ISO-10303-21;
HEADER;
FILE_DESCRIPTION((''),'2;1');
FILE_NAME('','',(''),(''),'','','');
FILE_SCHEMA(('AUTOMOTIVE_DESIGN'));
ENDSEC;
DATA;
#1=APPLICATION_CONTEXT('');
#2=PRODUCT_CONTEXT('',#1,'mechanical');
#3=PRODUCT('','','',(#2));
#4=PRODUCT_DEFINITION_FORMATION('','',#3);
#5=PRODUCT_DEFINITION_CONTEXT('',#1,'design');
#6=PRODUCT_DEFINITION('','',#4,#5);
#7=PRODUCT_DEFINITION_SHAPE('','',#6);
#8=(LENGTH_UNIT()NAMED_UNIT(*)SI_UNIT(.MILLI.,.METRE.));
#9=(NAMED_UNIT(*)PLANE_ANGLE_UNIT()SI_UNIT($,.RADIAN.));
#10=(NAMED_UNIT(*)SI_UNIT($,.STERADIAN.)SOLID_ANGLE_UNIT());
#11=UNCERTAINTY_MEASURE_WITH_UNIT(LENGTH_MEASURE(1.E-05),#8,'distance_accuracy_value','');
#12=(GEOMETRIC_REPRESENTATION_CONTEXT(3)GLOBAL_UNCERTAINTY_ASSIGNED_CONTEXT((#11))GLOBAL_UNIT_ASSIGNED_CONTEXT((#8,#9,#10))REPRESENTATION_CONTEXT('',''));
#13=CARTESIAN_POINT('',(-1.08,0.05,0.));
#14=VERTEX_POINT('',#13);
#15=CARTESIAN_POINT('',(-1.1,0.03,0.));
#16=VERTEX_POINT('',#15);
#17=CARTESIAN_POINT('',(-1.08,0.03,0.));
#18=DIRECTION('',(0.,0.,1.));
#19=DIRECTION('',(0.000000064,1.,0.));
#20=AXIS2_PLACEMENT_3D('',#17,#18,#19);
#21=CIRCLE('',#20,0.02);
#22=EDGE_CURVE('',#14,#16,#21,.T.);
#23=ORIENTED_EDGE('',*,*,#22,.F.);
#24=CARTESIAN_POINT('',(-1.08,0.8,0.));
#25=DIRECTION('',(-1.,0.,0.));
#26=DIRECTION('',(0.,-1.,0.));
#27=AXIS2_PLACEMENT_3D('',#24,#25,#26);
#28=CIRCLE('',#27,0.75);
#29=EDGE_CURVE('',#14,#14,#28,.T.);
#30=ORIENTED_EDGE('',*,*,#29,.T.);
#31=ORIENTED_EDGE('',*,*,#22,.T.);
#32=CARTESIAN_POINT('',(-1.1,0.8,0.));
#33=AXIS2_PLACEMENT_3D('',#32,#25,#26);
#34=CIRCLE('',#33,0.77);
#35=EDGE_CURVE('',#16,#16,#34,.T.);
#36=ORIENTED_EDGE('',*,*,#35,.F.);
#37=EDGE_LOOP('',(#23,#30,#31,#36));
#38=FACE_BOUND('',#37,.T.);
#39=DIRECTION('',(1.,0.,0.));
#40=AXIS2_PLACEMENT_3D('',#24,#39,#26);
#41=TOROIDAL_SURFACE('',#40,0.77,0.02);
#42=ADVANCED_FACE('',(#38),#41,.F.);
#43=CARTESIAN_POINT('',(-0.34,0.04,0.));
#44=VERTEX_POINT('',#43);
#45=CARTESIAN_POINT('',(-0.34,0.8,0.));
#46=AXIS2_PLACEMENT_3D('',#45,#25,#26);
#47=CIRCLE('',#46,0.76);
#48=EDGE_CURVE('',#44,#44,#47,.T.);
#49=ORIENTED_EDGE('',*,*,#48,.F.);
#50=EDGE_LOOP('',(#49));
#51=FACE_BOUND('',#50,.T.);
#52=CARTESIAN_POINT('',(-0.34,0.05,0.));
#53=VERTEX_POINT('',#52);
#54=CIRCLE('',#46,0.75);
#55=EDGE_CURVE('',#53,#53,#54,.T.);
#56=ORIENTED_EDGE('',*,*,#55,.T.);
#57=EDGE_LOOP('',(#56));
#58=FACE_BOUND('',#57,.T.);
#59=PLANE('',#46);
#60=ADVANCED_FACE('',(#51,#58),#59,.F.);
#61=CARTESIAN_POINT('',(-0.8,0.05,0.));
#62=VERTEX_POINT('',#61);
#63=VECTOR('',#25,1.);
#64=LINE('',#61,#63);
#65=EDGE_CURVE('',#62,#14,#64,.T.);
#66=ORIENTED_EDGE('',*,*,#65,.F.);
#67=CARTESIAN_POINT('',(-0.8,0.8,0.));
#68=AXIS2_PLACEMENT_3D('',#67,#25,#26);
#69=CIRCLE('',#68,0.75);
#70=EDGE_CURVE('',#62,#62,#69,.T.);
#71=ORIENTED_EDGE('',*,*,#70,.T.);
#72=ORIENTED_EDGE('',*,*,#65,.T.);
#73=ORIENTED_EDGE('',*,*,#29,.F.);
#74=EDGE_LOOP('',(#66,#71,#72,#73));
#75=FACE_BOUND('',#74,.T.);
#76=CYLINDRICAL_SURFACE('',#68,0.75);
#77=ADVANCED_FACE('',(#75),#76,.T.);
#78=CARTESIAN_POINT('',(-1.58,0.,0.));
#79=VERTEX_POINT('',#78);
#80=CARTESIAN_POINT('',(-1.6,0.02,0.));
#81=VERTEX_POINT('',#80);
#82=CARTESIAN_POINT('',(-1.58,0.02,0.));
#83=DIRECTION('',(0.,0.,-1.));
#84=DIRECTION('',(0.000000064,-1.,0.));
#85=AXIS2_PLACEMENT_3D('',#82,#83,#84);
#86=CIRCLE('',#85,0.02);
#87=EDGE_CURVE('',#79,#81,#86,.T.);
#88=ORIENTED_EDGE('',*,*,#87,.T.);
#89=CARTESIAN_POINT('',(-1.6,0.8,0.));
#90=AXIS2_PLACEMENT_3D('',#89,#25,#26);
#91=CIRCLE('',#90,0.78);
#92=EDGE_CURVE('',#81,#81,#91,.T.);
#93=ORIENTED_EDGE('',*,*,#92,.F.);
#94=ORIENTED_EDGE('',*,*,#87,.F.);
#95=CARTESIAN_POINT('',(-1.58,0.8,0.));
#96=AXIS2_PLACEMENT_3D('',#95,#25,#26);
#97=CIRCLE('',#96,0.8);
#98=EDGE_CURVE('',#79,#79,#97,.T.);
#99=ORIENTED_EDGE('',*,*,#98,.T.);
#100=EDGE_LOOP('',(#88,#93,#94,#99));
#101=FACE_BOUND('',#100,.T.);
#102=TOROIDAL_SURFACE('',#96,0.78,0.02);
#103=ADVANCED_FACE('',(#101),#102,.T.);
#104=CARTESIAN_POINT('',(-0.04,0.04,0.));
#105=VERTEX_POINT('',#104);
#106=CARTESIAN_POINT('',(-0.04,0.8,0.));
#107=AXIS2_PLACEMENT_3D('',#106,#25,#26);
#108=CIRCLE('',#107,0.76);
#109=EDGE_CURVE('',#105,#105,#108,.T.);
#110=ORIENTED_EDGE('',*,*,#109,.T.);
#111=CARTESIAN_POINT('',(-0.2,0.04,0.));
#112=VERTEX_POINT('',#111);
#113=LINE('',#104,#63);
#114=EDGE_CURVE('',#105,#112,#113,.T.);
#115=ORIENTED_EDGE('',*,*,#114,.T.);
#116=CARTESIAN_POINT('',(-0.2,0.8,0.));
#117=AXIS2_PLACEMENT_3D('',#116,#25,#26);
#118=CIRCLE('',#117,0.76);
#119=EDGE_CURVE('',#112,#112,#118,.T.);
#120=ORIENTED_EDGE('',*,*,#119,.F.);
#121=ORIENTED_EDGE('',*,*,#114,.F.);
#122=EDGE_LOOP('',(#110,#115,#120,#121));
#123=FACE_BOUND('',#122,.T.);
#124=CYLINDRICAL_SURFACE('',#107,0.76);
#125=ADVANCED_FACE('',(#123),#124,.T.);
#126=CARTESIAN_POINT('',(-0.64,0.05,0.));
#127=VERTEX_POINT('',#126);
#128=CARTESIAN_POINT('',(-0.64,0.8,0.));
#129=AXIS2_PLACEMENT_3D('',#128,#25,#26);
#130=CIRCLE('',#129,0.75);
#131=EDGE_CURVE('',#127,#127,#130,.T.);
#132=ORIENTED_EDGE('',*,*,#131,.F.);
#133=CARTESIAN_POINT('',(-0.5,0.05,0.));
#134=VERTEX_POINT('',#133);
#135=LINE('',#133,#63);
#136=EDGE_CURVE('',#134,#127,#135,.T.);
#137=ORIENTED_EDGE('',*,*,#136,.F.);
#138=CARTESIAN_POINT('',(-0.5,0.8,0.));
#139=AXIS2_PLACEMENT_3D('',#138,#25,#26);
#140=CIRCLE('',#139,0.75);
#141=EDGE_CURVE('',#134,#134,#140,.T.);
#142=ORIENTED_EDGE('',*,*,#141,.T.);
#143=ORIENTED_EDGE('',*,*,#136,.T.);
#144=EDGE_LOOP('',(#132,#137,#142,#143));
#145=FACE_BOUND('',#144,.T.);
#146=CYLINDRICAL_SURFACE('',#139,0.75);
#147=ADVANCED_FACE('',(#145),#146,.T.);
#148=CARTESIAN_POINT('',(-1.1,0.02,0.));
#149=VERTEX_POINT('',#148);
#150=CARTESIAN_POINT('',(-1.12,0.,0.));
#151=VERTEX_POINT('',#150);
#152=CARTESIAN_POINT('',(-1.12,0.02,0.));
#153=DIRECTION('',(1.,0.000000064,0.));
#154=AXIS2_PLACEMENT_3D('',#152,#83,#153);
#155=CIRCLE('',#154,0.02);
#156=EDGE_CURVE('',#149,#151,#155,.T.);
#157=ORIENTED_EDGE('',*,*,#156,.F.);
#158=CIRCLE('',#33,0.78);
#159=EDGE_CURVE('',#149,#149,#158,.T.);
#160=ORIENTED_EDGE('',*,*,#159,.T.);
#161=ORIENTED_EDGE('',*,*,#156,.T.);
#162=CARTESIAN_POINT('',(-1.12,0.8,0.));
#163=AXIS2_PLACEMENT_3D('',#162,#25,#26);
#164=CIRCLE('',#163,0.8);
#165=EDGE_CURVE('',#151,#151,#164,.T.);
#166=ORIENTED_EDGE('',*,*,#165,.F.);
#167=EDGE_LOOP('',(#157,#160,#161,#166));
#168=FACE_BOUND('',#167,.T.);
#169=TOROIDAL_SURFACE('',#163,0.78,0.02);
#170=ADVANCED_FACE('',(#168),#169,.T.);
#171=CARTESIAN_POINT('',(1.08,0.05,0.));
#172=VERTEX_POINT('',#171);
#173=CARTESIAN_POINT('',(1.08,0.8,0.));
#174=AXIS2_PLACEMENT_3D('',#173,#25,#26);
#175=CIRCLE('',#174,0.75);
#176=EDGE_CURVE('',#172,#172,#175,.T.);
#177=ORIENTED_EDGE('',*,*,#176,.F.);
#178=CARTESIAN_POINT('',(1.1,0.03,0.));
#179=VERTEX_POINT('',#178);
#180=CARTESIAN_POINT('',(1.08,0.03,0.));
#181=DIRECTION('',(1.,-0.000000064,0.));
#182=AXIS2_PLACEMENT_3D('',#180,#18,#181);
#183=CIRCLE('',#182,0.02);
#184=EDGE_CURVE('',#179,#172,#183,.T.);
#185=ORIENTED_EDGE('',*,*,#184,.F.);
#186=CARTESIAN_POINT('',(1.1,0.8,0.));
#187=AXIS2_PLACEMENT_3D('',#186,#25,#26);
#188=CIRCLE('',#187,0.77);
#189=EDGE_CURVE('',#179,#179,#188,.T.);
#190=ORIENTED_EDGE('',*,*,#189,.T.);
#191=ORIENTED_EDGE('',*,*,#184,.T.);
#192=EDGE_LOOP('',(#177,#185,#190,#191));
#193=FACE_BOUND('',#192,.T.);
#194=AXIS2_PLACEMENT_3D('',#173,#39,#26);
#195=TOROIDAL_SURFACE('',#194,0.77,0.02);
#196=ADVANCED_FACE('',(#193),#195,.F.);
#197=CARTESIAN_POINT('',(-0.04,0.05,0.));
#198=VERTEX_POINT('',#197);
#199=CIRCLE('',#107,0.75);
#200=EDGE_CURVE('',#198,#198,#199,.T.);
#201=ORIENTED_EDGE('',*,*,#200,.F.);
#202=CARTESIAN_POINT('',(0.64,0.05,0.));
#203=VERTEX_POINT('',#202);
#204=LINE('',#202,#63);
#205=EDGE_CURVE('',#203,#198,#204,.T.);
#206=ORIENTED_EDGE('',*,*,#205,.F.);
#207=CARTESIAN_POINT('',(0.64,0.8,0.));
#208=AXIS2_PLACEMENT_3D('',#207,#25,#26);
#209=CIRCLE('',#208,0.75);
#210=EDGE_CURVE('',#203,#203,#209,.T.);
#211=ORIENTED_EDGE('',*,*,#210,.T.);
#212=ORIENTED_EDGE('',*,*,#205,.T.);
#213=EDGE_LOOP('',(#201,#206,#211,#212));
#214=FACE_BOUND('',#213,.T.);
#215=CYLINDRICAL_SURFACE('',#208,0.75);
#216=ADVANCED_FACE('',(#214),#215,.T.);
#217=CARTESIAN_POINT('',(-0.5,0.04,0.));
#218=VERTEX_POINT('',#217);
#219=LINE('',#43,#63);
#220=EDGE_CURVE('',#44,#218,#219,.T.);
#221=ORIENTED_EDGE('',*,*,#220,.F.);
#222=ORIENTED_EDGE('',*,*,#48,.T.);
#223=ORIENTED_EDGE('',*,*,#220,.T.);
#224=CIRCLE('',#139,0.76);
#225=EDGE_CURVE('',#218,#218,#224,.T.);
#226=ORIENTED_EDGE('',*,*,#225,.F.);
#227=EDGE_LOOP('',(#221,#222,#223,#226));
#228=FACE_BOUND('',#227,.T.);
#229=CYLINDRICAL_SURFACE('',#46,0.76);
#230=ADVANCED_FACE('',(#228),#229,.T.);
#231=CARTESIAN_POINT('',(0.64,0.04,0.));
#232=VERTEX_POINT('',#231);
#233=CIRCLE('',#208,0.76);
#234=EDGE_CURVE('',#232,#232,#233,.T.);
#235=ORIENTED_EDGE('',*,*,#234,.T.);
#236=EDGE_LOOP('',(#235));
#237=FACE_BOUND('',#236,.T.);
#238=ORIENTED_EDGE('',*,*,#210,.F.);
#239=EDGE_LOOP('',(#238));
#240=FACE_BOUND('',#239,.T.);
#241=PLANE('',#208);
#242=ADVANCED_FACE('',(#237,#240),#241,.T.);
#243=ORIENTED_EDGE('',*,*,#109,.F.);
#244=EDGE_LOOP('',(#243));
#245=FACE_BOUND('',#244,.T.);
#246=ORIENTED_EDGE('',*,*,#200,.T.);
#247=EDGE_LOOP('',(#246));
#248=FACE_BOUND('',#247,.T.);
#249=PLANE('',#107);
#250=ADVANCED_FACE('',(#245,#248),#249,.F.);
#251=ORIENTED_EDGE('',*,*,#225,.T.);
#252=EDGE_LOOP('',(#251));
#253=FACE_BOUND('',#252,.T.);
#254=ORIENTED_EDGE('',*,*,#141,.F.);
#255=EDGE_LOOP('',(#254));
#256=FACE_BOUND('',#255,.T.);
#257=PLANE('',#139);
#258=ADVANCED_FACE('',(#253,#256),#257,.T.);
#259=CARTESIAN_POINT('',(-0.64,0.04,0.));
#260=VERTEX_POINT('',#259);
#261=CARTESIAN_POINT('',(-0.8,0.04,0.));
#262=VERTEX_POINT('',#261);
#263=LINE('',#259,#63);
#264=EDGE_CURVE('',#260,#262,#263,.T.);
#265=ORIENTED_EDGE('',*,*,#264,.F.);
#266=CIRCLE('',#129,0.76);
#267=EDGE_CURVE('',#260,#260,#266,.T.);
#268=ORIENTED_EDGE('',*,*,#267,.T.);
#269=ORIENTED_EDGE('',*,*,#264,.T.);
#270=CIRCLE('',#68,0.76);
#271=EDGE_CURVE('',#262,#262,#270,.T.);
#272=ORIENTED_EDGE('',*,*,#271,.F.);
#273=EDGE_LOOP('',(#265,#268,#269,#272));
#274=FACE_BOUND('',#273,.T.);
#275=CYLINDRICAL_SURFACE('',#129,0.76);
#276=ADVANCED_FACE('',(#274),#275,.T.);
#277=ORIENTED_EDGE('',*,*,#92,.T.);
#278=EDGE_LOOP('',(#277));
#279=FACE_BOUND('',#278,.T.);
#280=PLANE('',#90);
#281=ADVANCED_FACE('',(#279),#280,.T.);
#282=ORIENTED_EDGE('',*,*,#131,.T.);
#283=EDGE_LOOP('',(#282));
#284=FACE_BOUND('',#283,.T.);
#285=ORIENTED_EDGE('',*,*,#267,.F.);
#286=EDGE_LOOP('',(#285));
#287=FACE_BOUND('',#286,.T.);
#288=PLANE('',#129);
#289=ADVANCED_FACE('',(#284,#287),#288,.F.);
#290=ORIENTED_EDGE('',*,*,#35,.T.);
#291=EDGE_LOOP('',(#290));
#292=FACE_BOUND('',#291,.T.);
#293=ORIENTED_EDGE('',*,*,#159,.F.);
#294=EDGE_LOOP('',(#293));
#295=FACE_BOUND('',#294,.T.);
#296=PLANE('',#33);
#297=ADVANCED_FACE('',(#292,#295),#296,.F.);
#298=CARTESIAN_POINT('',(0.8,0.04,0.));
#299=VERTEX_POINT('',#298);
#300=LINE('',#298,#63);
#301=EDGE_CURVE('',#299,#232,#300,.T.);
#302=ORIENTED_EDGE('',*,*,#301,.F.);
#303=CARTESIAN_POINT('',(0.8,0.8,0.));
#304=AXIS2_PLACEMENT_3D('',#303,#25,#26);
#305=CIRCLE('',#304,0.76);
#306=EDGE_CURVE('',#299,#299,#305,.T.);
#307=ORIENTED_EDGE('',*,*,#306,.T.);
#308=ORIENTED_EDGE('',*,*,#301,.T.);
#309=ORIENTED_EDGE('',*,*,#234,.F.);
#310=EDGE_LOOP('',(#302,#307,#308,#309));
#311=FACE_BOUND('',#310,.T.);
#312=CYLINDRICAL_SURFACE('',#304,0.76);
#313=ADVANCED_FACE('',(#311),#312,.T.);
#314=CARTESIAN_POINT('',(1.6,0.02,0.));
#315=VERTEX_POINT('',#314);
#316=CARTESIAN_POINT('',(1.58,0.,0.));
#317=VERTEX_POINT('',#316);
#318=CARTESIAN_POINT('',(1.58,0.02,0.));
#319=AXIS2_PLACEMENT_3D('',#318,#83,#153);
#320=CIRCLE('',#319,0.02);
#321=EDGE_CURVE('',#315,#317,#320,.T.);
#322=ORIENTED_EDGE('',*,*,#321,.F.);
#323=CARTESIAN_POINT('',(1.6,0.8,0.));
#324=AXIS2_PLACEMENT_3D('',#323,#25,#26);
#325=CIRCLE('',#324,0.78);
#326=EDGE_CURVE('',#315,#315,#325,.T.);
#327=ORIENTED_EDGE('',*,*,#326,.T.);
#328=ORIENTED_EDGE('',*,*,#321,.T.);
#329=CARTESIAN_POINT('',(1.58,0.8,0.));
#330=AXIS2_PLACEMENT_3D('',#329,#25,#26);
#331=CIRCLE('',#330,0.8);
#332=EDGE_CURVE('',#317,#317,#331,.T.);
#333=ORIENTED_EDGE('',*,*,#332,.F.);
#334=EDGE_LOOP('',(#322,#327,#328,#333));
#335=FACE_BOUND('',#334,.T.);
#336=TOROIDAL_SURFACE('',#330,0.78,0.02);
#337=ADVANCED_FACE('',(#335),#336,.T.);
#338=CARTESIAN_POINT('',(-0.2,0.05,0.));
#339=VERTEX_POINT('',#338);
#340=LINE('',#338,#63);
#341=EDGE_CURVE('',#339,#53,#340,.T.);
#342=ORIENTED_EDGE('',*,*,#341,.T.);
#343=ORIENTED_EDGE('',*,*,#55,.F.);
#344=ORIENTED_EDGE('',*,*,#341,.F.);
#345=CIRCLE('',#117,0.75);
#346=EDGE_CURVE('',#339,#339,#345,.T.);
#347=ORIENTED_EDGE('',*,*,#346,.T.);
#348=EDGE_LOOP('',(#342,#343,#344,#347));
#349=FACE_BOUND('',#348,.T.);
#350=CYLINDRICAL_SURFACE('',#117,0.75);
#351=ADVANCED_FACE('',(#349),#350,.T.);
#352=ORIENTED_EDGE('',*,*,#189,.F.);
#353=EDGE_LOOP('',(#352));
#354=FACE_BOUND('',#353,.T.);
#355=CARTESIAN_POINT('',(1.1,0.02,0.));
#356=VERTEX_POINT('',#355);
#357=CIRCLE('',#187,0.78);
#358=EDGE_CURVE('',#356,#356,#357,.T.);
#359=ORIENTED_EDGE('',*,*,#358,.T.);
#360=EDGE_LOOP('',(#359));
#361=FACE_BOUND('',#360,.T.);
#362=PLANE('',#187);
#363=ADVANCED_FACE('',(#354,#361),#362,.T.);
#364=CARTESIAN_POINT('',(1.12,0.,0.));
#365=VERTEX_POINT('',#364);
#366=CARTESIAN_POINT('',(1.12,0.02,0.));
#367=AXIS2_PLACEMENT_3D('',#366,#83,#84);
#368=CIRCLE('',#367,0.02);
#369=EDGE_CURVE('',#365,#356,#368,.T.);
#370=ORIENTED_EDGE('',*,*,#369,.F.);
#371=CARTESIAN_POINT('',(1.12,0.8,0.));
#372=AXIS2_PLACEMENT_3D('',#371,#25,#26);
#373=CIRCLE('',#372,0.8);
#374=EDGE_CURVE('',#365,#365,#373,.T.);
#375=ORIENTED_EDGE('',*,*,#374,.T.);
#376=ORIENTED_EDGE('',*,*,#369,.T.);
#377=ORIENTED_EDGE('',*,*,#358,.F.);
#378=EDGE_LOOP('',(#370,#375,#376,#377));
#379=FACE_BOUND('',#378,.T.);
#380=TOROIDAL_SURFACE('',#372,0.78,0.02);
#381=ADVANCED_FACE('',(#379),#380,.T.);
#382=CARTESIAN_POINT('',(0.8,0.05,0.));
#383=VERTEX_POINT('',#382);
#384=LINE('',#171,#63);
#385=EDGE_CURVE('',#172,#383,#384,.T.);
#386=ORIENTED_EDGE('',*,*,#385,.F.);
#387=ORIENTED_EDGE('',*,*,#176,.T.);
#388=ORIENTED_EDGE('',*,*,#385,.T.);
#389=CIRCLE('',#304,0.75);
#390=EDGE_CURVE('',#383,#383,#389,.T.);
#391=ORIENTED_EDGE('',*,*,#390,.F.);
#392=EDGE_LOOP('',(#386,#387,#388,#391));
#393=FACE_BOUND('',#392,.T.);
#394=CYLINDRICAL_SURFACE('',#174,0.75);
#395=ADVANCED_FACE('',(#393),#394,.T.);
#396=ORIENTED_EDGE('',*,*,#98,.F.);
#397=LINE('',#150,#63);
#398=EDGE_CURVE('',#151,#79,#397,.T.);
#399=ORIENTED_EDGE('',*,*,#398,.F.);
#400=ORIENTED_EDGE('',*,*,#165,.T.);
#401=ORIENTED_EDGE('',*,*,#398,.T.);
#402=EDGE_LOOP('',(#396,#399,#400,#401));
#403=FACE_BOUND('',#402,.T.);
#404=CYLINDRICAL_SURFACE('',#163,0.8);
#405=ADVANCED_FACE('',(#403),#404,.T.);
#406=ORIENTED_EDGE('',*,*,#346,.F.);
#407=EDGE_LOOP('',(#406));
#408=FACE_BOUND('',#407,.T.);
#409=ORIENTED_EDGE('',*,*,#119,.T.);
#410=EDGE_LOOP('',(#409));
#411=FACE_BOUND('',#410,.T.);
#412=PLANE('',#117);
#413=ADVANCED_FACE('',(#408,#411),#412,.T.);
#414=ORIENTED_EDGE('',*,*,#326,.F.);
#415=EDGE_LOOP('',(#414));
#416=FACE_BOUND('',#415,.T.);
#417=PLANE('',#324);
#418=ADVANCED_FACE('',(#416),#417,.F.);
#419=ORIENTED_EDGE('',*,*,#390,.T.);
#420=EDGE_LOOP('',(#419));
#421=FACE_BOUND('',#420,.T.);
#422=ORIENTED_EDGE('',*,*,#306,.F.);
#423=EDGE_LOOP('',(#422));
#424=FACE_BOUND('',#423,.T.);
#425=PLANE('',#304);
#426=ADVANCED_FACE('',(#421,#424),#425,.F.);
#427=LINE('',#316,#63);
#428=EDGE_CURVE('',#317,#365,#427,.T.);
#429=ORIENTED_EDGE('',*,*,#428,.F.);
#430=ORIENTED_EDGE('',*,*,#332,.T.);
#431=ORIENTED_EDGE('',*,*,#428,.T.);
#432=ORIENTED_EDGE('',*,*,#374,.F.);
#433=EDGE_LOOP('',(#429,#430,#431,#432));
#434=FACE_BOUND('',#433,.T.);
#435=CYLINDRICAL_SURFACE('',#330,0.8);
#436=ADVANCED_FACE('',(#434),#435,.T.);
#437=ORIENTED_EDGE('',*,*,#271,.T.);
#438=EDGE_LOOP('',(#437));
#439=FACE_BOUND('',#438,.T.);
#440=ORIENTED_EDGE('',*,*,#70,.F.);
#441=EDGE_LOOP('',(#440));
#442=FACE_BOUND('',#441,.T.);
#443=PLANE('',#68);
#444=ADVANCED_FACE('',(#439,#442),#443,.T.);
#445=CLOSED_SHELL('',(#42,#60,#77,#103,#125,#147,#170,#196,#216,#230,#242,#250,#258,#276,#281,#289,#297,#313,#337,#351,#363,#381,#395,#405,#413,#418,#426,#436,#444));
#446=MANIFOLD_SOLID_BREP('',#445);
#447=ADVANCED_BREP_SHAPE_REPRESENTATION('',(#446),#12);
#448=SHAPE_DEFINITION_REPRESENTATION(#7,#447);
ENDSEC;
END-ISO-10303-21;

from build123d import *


with BuildPart() as part:
    # Sketch1 → Revolve1 (revolve)
    with BuildSketch(Plane.XY):
        with BuildLine():
            Line((-1.6, 0.8), (1.6, 0.8))
            Line((1.6, 0.8), (1.6, 0.02))
            ThreePointArc((1.6, 0.02), (1.594142136, 0.005857864), (1.58, 0))
            Line((1.58, 0), (1.12, 0))
            ThreePointArc((1.12, 0), (1.105857864, 0.005857864), (1.1, 0.02))
            Line((1.1, 0.02), (1.1, 0.03))
            ThreePointArc((1.1, 0.03), (1.094142136, 0.044142136), (1.08, 0.05))
            Line((1.08, 0.05), (0.8, 0.05))
            Line((0.8, 0.05), (0.8, 0.04))
            Line((0.8, 0.04), (0.64, 0.04))
            Line((0.64, 0.04), (0.64, 0.05))
            Line((0.64, 0.05), (-0.04, 0.05))
            Line((-0.04, 0.05), (-0.04, 0.04))
            Line((-0.04, 0.04), (-0.2, 0.04))
            Line((-0.2, 0.04), (-0.2, 0.05))
            Line((-0.2, 0.05), (-0.34, 0.05))
            Line((-0.34, 0.05), (-0.34, 0.04))
            Line((-0.34, 0.04), (-0.5, 0.04))
            Line((-0.5, 0.04), (-0.5, 0.05))
            Line((-0.5, 0.05), (-0.64, 0.05))
            Line((-0.64, 0.05), (-0.64, 0.04))
            Line((-0.64, 0.04), (-0.8, 0.04))
            Line((-0.8, 0.04), (-0.8, 0.05))
            Line((-0.8, 0.05), (-1.08, 0.05))
            ThreePointArc((-1.08, 0.05), (-1.094142136, 0.044142136), (-1.1, 0.03))
            Line((-1.1, 0.03), (-1.1, 0.02))
            ThreePointArc((-1.1, 0.02), (-1.105857864, 0.005857864), (-1.12, 0))
            Line((-1.12, 0), (-1.58, 0))
            ThreePointArc((-1.58, 0), (-1.594142136, 0.005857864), (-1.6, 0.02))
            Line((-1.6, 0.02), (-1.6, 0.8))
        make_face()
    revolve(axis=Axis((-1.6, 0.8, 0), (-1, 0, 0)))


solid = part.part
